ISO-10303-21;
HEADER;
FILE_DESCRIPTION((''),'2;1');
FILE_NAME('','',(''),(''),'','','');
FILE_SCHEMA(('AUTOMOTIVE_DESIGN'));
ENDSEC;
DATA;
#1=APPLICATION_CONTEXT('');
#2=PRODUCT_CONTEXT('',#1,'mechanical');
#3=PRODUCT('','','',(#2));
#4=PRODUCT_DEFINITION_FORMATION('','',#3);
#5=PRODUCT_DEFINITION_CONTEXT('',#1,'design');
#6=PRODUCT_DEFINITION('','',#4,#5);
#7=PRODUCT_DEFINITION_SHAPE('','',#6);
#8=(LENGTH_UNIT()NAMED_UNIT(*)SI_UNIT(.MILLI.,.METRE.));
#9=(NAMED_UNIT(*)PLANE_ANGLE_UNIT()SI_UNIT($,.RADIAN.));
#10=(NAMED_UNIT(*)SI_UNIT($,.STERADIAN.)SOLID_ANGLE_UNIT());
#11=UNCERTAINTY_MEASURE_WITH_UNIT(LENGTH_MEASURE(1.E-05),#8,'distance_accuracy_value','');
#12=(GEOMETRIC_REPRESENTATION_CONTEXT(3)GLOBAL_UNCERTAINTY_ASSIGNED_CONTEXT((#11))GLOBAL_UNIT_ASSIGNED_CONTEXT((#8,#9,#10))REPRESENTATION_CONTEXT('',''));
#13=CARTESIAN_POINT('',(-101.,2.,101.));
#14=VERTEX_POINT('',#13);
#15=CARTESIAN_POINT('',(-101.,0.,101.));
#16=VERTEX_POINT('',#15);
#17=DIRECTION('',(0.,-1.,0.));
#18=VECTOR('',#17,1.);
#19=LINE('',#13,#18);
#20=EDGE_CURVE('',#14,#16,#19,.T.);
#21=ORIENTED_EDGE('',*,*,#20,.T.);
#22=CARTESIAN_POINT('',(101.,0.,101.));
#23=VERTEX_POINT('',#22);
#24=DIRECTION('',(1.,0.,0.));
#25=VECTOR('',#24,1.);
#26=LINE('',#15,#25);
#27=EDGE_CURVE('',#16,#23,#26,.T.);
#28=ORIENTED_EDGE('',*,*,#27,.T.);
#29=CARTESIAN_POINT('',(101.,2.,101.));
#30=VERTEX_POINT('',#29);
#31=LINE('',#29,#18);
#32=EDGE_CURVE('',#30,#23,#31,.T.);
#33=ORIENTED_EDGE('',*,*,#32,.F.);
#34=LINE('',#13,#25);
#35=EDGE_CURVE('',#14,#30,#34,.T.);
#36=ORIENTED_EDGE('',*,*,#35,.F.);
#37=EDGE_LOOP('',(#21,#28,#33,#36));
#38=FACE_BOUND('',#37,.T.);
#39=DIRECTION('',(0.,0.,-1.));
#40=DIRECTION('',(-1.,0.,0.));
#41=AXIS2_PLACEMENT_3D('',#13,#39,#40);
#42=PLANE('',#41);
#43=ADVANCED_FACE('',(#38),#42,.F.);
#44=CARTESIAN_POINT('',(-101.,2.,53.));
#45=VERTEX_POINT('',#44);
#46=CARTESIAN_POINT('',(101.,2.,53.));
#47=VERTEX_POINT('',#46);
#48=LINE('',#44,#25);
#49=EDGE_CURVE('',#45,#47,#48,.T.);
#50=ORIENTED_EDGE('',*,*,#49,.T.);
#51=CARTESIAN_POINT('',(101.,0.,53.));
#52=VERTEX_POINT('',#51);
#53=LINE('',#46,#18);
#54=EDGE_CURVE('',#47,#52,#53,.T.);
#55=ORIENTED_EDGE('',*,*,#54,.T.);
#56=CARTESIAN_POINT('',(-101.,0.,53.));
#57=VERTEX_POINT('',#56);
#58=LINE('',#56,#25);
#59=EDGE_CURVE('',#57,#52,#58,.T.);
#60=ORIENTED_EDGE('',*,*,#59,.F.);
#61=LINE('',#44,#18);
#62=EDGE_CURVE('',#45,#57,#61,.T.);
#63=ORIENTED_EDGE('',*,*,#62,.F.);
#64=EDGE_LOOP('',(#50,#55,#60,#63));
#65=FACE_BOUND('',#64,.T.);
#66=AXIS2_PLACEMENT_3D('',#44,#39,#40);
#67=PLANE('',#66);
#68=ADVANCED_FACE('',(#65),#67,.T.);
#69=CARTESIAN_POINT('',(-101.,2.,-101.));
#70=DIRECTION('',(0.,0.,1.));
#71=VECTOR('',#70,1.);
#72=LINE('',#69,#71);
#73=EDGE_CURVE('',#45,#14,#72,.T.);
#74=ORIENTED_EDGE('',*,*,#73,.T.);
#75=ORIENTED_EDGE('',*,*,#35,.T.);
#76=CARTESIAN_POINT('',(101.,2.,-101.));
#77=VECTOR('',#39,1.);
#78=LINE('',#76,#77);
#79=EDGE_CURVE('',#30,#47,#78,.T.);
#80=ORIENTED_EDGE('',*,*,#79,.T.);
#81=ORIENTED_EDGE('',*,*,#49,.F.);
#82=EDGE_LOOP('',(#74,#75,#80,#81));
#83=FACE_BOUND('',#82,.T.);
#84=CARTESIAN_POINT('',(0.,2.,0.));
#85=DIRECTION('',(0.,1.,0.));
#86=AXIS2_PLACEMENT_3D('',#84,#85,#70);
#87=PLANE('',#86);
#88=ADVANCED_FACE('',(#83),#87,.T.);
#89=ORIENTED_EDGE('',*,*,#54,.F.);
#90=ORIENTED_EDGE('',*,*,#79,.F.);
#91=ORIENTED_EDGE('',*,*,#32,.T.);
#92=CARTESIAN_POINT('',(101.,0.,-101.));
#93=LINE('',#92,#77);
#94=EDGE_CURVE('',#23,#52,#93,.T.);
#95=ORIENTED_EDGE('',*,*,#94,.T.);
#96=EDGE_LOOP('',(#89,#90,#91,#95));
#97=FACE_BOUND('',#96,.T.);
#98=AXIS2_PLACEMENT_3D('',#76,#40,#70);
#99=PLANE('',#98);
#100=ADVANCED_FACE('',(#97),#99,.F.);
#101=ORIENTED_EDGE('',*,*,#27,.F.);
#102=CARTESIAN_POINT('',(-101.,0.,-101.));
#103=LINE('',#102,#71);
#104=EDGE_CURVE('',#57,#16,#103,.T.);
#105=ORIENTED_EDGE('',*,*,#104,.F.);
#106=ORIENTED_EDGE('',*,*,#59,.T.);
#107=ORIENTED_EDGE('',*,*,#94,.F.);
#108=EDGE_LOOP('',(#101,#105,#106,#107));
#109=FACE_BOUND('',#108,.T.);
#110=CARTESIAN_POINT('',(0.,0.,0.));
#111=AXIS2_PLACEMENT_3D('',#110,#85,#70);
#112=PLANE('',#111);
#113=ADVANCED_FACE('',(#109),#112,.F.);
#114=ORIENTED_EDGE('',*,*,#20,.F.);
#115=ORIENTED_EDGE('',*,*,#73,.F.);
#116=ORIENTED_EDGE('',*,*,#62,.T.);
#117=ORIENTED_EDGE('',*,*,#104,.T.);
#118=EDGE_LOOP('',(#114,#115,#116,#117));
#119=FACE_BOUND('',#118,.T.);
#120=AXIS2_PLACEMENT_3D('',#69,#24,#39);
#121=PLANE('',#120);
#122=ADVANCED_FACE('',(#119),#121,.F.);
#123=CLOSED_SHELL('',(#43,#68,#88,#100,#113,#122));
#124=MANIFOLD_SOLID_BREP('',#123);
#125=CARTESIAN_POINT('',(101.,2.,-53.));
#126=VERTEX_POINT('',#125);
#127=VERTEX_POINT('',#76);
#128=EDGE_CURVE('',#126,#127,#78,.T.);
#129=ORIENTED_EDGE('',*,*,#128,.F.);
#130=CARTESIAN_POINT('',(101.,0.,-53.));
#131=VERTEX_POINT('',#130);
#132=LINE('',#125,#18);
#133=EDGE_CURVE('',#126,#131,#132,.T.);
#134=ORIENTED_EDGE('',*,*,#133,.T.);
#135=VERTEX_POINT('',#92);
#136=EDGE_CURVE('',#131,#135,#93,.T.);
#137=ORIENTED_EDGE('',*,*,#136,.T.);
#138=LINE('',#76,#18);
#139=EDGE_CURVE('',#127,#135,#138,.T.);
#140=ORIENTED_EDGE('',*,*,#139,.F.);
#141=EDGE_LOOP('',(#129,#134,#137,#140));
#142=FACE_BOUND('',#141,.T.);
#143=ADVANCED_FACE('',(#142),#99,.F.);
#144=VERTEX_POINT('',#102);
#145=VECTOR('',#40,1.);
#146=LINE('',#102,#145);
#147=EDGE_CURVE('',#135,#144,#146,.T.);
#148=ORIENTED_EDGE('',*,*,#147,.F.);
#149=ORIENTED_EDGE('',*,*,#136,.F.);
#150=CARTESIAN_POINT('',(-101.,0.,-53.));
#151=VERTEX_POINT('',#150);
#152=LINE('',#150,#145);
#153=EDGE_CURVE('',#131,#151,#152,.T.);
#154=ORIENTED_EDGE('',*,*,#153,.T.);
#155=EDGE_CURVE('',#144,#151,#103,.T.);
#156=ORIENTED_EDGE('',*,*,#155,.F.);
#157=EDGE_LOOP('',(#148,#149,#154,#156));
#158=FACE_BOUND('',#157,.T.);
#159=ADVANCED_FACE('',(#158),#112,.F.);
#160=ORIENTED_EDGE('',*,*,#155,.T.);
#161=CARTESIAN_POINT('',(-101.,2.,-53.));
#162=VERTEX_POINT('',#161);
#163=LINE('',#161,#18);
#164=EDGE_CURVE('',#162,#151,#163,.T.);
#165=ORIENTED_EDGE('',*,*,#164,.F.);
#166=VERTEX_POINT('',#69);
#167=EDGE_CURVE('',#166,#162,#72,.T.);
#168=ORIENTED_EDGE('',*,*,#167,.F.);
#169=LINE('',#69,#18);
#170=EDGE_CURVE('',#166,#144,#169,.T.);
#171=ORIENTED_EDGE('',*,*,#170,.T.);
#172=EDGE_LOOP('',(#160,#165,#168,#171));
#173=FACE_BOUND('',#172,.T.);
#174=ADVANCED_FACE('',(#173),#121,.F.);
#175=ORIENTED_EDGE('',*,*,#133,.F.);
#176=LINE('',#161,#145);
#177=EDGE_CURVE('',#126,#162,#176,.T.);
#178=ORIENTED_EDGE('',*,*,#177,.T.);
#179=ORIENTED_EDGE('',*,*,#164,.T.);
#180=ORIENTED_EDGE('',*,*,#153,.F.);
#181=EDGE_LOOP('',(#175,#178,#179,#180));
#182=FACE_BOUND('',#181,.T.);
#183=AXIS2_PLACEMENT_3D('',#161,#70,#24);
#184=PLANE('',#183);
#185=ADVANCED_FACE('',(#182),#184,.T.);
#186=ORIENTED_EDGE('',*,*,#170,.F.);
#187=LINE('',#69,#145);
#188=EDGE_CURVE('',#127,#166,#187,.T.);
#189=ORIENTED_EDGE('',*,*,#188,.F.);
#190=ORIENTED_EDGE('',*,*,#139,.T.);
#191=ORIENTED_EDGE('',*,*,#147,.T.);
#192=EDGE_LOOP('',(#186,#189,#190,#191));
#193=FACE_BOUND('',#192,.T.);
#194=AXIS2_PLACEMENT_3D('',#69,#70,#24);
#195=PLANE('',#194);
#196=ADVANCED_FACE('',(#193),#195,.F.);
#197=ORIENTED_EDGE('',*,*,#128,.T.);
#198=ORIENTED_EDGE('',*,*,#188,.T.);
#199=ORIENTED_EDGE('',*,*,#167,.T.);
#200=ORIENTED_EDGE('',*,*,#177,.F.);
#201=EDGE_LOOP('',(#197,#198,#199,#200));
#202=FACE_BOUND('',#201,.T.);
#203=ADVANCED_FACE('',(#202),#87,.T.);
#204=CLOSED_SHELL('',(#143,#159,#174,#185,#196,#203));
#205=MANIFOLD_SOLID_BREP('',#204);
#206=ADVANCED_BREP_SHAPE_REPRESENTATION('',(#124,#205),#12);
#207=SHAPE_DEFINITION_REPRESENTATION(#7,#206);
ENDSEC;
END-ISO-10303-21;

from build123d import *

# Parameters (mm, degrees)
SKETCH1_W           = 202
SKETCH1_H           = 202
BOSS_EXTRUDE1_DEPTH = 2
SKETCH2_W           = 202
SKETCH2_H           = 106
CUT_EXTRUDE2_DEPTH  = 2


with BuildPart() as part:
    # Sketch1 → Boss-Extrude1 (new body)
    with BuildSketch(Plane(origin=(0, 0, 0), x_dir=(1, 0, 0), z_dir=(0, 1, 0))):
        Rectangle(SKETCH1_W, SKETCH1_H)
    extrude(amount=BOSS_EXTRUDE1_DEPTH)

    # Sketch2 → Cut-Extrude2 (cut)
    with BuildSketch(Plane(origin=(0, 0, 0), x_dir=(1, 0, 0), z_dir=(0, 1, 0))):
        Rectangle(SKETCH2_W, SKETCH2_H)
    extrude(amount=CUT_EXTRUDE2_DEPTH, mode=Mode.SUBTRACT)


with BuildPart() as cut_extrude2_piece_1:
    # of the separate pieces the step leaves, piece 1, a body of its own (cut_extrude2_pieces)
    add(part.part.solids().sort_by_distance((-101, 0, -101))[0])


with BuildPart() as cut_extrude2_piece_2:
    # of the separate pieces the step leaves, piece 2, a body of its own (cut_extrude2_pieces)
    add(part.part.solids().sort_by_distance((-101, 0, 101))[0])


solid = Compound([cut_extrude2_piece_1.part, cut_extrude2_piece_2.part])
